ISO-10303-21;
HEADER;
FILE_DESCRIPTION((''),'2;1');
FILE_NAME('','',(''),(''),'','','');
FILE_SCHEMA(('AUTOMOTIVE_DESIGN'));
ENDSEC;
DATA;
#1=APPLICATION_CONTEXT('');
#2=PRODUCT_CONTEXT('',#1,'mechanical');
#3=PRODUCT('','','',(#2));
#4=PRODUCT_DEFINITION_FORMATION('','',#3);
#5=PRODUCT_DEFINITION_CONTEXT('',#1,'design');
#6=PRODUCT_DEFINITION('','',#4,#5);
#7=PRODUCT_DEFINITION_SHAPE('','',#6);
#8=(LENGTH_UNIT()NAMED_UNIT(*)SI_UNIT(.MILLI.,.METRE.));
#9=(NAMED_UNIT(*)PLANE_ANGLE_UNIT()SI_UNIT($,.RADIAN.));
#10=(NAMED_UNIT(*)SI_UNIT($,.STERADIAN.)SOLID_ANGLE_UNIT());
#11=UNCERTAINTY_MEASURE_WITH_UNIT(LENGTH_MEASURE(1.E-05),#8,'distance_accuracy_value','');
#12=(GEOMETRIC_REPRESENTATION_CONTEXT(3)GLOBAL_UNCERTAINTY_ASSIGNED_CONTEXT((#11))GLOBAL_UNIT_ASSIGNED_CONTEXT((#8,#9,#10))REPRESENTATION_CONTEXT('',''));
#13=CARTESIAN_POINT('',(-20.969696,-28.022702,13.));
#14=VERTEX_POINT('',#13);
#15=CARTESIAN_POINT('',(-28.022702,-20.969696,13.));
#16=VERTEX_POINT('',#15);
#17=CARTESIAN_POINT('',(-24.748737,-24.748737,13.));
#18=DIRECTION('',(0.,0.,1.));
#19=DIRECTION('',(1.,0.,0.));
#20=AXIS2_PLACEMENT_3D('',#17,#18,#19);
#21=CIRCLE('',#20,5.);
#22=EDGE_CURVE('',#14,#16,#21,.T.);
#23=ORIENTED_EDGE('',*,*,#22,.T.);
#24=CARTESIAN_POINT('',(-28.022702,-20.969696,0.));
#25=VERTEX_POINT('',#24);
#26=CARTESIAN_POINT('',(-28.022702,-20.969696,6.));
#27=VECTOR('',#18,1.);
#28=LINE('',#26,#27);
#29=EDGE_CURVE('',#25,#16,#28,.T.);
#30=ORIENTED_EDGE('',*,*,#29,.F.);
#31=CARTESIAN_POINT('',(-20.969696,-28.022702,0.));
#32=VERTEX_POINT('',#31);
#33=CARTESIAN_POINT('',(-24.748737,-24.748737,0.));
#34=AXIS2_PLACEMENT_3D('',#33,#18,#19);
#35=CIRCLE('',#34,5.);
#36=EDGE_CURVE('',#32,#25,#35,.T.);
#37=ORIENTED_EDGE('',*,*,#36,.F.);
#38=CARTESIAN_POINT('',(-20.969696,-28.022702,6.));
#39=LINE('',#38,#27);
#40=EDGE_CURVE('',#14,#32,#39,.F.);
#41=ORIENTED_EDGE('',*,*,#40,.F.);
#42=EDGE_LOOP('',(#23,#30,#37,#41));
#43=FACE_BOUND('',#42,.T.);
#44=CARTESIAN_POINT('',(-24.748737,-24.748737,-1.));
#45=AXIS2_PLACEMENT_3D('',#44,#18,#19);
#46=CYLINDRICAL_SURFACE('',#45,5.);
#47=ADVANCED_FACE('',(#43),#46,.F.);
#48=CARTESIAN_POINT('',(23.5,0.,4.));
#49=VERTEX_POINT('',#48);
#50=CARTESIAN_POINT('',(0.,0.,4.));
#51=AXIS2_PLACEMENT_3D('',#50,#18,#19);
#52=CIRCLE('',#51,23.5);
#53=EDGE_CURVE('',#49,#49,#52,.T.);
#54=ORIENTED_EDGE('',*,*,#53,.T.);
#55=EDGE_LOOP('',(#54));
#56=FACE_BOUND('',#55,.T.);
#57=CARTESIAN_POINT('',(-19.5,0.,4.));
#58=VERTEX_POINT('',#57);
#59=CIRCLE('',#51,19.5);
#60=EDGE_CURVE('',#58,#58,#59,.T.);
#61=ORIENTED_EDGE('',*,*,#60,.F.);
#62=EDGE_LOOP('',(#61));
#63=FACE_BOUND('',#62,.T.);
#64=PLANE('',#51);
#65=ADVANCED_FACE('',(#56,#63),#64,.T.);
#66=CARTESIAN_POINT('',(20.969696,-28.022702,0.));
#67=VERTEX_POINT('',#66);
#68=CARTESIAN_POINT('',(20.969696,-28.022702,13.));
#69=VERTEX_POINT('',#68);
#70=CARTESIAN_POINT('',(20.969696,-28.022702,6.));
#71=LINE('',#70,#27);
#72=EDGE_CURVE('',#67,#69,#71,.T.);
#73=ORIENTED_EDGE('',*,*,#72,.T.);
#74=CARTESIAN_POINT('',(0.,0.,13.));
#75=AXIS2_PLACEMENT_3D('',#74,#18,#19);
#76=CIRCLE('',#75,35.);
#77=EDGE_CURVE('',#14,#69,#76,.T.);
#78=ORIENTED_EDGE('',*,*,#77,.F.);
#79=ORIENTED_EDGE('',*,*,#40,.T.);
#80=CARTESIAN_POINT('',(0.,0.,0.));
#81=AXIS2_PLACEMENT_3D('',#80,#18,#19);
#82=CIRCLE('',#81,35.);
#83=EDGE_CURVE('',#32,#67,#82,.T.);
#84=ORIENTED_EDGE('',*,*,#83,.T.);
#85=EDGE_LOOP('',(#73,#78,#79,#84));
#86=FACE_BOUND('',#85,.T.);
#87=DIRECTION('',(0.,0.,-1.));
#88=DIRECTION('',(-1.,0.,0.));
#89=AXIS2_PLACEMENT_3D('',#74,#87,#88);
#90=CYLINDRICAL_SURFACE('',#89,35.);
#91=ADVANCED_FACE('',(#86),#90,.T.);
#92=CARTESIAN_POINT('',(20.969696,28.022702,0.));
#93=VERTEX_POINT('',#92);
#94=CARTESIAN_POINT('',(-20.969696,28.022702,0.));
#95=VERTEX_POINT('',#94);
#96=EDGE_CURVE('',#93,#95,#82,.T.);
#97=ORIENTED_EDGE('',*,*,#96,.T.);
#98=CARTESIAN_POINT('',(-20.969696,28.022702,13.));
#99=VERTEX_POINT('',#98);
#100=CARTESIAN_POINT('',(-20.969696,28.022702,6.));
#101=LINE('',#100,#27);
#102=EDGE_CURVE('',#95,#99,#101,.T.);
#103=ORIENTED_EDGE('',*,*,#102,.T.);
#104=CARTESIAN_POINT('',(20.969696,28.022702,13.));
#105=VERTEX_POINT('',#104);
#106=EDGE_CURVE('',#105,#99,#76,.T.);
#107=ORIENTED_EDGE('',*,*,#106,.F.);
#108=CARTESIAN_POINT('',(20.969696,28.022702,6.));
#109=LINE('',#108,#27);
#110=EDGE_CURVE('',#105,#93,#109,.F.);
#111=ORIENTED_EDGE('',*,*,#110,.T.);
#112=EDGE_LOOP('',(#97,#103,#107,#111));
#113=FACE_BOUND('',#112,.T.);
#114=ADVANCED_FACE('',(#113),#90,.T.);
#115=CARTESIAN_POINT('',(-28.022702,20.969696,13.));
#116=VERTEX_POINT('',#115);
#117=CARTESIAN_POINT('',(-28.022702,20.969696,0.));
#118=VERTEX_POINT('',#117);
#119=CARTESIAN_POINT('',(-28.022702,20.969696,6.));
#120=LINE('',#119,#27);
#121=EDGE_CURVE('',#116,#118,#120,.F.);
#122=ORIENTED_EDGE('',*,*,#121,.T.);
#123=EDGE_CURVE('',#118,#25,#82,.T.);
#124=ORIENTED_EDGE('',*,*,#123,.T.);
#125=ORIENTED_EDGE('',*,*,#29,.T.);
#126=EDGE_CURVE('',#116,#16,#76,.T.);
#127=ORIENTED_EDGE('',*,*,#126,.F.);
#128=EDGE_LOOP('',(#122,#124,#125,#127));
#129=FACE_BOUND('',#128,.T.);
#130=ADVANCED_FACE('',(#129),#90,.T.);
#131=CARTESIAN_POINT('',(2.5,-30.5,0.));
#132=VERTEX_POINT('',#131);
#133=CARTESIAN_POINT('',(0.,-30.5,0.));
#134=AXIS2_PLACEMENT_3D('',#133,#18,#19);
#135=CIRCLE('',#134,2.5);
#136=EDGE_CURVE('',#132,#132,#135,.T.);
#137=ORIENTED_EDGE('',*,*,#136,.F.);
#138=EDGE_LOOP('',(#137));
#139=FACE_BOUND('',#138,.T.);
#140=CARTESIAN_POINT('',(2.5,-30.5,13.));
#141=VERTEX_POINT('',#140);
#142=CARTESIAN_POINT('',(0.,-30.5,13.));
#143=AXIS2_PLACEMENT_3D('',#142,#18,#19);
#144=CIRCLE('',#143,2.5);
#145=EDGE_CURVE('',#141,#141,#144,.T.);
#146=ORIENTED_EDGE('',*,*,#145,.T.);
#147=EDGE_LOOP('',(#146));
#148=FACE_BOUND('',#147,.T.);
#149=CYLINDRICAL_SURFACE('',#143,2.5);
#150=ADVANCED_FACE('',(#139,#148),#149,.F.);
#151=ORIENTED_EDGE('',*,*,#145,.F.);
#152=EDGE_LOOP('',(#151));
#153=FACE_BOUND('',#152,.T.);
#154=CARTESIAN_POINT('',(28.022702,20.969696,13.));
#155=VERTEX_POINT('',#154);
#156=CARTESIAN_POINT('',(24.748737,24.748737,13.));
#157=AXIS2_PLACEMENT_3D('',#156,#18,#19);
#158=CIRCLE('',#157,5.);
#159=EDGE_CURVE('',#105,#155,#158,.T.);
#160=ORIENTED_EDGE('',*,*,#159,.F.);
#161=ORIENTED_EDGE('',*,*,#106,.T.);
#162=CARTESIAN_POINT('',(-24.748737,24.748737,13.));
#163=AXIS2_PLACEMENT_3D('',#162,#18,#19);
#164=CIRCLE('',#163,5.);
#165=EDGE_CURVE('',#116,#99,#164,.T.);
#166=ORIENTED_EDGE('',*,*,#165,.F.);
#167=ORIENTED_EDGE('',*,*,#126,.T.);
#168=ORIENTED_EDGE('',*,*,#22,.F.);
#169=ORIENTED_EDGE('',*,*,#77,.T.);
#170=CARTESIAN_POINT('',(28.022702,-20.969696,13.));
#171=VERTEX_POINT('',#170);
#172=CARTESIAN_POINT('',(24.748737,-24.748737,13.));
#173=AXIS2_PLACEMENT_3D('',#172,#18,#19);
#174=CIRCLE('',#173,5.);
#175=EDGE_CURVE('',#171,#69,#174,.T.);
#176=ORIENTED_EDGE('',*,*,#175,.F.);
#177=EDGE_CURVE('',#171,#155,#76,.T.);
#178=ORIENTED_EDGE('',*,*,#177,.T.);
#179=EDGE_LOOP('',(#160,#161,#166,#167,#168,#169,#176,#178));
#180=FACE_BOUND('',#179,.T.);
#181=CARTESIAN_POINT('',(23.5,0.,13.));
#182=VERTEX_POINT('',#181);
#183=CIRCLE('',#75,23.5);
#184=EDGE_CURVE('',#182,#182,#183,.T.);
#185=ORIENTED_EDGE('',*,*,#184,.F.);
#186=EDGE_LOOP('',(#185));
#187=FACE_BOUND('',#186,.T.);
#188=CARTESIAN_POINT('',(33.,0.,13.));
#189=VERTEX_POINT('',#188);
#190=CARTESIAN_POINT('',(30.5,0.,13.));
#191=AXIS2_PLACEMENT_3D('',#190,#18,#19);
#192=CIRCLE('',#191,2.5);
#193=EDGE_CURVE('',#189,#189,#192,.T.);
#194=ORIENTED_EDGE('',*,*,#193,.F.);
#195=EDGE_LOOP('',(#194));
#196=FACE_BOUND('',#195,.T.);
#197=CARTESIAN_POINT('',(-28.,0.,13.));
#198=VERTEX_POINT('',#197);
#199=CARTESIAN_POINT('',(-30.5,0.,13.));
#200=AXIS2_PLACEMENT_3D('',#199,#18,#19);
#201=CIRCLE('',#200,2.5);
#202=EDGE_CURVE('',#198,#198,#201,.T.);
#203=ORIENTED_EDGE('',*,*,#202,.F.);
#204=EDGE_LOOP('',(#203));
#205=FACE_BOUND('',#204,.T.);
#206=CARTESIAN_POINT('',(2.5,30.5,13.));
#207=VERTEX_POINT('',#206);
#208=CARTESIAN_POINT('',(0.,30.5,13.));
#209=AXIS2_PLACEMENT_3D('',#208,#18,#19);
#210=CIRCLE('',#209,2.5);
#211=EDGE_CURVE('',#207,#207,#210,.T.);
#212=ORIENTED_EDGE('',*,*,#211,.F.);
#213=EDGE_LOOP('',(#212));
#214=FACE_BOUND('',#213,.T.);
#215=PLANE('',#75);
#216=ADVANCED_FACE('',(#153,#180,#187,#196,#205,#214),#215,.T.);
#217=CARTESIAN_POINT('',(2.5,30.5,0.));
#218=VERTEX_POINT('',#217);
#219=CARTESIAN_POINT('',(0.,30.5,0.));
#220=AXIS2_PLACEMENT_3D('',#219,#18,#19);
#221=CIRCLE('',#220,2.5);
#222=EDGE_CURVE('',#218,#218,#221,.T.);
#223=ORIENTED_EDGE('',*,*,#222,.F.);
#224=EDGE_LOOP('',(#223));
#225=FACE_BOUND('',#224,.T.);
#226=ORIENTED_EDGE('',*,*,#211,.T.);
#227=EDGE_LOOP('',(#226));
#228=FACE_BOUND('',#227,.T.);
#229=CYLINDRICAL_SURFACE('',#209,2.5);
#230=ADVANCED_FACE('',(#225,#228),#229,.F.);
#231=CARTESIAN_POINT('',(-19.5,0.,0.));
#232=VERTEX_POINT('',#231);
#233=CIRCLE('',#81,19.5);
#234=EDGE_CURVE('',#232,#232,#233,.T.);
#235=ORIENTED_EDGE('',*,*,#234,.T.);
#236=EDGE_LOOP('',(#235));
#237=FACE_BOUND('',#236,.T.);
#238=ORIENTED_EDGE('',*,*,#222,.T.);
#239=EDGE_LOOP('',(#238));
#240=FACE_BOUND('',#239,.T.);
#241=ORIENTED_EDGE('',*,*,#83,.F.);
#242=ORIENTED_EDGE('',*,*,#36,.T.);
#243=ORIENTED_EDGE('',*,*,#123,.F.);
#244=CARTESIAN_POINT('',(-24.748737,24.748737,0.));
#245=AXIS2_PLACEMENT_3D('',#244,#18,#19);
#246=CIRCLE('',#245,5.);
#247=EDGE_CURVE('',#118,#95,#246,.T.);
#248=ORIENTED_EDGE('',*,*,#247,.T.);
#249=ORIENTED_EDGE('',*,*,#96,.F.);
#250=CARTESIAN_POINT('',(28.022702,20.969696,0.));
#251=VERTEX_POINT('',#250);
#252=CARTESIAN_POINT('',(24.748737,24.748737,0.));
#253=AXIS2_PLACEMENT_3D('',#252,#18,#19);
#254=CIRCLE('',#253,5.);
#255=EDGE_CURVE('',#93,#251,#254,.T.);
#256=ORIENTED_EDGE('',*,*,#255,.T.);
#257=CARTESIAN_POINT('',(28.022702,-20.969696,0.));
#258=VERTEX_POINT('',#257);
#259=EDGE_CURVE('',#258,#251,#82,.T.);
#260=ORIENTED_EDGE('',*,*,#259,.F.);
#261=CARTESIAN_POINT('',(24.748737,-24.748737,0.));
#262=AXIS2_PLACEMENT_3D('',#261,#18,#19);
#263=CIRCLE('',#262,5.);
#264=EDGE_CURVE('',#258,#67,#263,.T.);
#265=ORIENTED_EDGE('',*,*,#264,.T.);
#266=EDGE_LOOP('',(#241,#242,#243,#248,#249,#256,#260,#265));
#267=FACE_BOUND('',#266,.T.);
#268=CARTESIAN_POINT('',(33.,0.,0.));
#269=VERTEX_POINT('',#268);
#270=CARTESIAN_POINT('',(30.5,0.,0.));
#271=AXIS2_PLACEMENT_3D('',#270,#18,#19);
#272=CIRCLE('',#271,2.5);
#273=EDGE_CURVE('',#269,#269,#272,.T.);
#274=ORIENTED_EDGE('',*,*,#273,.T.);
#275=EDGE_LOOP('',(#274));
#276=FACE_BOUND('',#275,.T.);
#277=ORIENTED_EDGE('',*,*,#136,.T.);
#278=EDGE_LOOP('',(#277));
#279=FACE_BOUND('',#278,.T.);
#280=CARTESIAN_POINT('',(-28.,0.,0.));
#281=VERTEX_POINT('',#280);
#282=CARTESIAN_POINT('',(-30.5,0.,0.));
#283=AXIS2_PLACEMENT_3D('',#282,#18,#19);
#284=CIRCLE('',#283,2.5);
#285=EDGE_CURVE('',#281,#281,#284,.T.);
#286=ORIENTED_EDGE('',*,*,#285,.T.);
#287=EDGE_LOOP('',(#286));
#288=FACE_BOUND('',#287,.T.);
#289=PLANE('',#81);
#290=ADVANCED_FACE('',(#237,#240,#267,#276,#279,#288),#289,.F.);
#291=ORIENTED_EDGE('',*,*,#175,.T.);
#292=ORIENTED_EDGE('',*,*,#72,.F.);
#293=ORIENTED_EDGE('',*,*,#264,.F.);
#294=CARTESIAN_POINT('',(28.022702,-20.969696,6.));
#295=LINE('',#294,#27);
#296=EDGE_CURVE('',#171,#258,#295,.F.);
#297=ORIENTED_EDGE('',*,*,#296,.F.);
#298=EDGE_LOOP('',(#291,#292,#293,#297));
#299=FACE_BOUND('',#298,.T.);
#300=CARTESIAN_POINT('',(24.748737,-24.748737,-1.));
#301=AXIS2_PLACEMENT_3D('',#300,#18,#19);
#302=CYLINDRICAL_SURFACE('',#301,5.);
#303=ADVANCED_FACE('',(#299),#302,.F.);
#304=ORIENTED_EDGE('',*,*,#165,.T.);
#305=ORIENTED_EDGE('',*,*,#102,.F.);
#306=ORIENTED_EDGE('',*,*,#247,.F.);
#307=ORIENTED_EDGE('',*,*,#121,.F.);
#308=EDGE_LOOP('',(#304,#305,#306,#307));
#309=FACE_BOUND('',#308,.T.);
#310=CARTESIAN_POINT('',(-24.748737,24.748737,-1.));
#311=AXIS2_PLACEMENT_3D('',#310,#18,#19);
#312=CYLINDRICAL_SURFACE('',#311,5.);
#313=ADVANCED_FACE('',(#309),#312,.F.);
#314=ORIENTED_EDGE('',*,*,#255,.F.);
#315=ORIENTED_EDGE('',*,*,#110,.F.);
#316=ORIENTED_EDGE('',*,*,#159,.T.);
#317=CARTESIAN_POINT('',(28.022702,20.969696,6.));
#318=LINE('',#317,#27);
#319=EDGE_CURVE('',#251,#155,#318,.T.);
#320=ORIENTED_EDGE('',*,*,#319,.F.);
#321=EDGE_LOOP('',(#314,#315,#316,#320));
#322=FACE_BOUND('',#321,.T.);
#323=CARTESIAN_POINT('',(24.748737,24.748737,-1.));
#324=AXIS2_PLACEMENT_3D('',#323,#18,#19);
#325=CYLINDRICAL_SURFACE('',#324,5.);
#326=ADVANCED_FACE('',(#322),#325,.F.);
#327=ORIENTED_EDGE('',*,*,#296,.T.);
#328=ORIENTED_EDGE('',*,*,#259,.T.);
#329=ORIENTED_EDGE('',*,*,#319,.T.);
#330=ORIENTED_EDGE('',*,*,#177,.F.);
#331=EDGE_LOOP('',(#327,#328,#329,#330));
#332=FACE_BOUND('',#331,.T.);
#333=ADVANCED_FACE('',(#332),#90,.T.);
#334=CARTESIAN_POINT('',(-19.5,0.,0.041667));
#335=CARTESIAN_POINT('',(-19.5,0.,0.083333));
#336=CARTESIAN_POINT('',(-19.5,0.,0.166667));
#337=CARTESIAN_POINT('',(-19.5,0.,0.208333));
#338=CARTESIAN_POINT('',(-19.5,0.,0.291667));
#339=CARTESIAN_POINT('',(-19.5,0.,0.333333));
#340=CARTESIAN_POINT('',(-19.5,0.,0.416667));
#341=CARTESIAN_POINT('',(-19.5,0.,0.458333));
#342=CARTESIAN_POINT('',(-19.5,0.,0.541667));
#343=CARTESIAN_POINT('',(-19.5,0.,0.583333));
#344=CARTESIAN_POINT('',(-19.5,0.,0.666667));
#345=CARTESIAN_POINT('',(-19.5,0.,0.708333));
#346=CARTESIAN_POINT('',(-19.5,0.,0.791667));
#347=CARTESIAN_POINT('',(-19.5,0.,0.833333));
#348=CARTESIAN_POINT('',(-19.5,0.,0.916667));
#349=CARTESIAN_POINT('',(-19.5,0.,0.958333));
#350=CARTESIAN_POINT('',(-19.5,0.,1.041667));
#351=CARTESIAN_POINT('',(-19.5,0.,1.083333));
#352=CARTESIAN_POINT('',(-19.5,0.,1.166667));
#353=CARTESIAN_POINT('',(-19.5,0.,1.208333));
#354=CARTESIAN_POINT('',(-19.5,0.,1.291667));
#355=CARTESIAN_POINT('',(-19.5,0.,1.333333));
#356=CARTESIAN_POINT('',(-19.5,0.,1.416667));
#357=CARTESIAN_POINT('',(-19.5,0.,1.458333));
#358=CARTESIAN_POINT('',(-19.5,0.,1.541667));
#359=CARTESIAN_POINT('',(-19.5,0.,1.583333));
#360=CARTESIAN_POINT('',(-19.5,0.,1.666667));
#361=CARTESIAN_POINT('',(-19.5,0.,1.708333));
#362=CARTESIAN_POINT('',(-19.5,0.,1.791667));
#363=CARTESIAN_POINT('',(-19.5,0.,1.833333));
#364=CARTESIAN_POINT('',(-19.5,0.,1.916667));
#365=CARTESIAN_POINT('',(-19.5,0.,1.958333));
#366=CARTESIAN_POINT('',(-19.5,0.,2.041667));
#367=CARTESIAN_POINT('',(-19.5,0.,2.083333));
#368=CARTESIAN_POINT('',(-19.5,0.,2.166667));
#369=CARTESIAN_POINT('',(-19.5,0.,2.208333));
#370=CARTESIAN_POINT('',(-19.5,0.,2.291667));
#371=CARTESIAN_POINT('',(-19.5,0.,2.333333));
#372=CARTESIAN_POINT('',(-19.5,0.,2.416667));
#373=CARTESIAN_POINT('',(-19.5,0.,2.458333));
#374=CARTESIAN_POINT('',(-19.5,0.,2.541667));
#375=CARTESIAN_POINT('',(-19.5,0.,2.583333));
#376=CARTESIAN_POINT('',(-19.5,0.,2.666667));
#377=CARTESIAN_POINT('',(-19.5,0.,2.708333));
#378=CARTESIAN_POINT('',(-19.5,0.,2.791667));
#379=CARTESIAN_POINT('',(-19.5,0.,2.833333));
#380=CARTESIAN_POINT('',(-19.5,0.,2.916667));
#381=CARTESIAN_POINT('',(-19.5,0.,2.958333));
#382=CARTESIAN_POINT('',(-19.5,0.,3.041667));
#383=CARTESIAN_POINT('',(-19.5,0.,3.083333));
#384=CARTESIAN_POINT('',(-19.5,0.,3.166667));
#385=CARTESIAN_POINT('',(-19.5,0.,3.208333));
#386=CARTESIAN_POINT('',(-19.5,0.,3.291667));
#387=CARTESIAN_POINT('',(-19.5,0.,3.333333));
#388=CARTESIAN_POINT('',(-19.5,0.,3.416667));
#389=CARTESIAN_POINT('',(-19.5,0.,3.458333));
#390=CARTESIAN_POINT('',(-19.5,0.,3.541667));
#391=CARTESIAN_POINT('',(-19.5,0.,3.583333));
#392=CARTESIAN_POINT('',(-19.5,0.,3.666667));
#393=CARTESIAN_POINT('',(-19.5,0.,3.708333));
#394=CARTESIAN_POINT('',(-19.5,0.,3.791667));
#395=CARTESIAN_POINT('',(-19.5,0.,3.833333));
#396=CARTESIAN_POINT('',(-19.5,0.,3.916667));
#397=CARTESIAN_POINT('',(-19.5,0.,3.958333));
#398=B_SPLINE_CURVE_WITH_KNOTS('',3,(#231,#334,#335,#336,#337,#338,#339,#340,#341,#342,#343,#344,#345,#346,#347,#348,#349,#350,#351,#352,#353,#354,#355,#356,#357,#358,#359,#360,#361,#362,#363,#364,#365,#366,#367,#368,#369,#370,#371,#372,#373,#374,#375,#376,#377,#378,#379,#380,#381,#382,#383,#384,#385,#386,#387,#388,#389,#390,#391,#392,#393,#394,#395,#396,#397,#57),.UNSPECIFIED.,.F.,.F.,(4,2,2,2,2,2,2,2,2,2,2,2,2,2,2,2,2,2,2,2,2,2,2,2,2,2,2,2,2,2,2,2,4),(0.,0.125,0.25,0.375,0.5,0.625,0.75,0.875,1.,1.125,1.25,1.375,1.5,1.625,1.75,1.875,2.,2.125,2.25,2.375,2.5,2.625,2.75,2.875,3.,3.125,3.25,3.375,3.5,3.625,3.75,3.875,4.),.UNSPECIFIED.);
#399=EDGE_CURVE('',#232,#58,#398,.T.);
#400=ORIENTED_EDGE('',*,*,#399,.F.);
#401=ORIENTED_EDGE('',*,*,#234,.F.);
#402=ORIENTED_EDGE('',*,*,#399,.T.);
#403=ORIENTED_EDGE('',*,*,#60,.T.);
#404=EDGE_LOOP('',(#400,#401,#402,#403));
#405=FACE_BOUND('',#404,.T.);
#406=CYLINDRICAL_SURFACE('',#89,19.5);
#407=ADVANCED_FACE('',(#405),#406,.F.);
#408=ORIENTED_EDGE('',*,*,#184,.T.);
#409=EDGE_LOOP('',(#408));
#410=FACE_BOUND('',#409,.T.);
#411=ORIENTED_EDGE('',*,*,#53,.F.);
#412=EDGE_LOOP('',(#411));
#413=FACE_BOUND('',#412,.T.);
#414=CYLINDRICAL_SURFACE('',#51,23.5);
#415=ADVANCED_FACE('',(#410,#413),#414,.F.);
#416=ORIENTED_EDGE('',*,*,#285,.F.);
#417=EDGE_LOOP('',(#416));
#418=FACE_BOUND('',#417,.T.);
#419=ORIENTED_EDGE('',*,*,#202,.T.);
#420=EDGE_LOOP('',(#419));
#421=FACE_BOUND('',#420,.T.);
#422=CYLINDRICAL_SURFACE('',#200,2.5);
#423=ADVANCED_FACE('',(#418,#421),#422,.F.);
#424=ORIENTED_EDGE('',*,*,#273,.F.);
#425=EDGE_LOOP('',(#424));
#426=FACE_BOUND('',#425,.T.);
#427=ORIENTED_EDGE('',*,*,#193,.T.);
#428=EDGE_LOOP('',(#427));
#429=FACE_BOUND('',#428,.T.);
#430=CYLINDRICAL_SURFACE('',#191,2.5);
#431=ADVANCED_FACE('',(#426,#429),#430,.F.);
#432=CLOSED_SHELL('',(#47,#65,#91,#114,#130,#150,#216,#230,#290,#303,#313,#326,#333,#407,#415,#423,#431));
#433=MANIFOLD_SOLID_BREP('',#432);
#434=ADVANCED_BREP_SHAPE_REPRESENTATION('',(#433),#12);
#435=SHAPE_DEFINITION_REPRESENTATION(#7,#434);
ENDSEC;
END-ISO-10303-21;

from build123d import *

# Parameters (mm, degrees)
SZKIC1_R                    = 35
SZKIC1_R_2                  = 30.5
SZKIC1_R_3                  = 19.5
DODANIE_WYCI_GNI_CIE1_DEPTH = 13
OTWORY_USTALAJ_CE_5_0MM1_D  = 5
WYTNIJ_WYCI_GNI_CIE1_START  = -9
SZKIC6_R                    = 23.5
SZKIC6_R_2                  = 19.5
WYTNIJ_WYCI_GNI_CIE1_DEPTH  = 9
SZKIC2_R                    = 5
WYTNIJ_WYCI_GNI_CIE2_DEPTH  = 14


with BuildPart() as part:
    # Szkic1 → Dodanie-wyciągnięcie1 (new body)
    # profile 1 of 2: a face of its own
    with BuildSketch(Plane.XY):
        with Locations(Location((0, 0, 0), (0, 0, 180))):
            Circle(SZKIC1_R)
        Circle(SZKIC1_R_2, mode=Mode.SUBTRACT)
    # profile 2 of 2: a face of its own
    with BuildSketch(Plane.XY):
        Circle(SZKIC1_R_2)
        with Locations(Location((0, 0, 0), (0, 0, 180))):
            Circle(SZKIC1_R_3, mode=Mode.SUBTRACT)
    extrude(amount=DODANIE_WYCI_GNI_CIE1_DEPTH)

    # Otwory ustalające Ø5.0mm1 (through all)
    with Locations(Plane.XY.offset(13)):
        with Locations((0, 30.5), (0, -30.5), (-30.5, 0), (30.5, 0)):
            Hole(OTWORY_USTALAJ_CE_5_0MM1_D / 2)

    # Szkic6 → Wytnij-wyciągnięcie1 (cut)
    with BuildSketch(Plane.XY.offset(13).offset(WYTNIJ_WYCI_GNI_CIE1_START)):
        Circle(SZKIC6_R)
        with Locations(Location((0, 0, 0), (0, 0, 180))):
            Circle(SZKIC6_R_2, mode=Mode.SUBTRACT)
    extrude(amount=WYTNIJ_WYCI_GNI_CIE1_DEPTH, mode=Mode.SUBTRACT)

    # Szkic2 → Wytnij-wyciągnięcie2 (cut)
    with BuildSketch(Plane.XY.offset(13)):
        with Locations((24.748737342, 24.748737342)):
            Circle(SZKIC2_R)
        with Locations((24.748737342, -24.748737342)):
            Circle(SZKIC2_R)
        with Locations((-24.748737342, -24.748737342)):
            Circle(SZKIC2_R)
        with Locations((-24.748737342, 24.748737342)):
            Circle(SZKIC2_R)
    extrude(amount=-WYTNIJ_WYCI_GNI_CIE2_DEPTH, mode=Mode.SUBTRACT)


solid = part.part
